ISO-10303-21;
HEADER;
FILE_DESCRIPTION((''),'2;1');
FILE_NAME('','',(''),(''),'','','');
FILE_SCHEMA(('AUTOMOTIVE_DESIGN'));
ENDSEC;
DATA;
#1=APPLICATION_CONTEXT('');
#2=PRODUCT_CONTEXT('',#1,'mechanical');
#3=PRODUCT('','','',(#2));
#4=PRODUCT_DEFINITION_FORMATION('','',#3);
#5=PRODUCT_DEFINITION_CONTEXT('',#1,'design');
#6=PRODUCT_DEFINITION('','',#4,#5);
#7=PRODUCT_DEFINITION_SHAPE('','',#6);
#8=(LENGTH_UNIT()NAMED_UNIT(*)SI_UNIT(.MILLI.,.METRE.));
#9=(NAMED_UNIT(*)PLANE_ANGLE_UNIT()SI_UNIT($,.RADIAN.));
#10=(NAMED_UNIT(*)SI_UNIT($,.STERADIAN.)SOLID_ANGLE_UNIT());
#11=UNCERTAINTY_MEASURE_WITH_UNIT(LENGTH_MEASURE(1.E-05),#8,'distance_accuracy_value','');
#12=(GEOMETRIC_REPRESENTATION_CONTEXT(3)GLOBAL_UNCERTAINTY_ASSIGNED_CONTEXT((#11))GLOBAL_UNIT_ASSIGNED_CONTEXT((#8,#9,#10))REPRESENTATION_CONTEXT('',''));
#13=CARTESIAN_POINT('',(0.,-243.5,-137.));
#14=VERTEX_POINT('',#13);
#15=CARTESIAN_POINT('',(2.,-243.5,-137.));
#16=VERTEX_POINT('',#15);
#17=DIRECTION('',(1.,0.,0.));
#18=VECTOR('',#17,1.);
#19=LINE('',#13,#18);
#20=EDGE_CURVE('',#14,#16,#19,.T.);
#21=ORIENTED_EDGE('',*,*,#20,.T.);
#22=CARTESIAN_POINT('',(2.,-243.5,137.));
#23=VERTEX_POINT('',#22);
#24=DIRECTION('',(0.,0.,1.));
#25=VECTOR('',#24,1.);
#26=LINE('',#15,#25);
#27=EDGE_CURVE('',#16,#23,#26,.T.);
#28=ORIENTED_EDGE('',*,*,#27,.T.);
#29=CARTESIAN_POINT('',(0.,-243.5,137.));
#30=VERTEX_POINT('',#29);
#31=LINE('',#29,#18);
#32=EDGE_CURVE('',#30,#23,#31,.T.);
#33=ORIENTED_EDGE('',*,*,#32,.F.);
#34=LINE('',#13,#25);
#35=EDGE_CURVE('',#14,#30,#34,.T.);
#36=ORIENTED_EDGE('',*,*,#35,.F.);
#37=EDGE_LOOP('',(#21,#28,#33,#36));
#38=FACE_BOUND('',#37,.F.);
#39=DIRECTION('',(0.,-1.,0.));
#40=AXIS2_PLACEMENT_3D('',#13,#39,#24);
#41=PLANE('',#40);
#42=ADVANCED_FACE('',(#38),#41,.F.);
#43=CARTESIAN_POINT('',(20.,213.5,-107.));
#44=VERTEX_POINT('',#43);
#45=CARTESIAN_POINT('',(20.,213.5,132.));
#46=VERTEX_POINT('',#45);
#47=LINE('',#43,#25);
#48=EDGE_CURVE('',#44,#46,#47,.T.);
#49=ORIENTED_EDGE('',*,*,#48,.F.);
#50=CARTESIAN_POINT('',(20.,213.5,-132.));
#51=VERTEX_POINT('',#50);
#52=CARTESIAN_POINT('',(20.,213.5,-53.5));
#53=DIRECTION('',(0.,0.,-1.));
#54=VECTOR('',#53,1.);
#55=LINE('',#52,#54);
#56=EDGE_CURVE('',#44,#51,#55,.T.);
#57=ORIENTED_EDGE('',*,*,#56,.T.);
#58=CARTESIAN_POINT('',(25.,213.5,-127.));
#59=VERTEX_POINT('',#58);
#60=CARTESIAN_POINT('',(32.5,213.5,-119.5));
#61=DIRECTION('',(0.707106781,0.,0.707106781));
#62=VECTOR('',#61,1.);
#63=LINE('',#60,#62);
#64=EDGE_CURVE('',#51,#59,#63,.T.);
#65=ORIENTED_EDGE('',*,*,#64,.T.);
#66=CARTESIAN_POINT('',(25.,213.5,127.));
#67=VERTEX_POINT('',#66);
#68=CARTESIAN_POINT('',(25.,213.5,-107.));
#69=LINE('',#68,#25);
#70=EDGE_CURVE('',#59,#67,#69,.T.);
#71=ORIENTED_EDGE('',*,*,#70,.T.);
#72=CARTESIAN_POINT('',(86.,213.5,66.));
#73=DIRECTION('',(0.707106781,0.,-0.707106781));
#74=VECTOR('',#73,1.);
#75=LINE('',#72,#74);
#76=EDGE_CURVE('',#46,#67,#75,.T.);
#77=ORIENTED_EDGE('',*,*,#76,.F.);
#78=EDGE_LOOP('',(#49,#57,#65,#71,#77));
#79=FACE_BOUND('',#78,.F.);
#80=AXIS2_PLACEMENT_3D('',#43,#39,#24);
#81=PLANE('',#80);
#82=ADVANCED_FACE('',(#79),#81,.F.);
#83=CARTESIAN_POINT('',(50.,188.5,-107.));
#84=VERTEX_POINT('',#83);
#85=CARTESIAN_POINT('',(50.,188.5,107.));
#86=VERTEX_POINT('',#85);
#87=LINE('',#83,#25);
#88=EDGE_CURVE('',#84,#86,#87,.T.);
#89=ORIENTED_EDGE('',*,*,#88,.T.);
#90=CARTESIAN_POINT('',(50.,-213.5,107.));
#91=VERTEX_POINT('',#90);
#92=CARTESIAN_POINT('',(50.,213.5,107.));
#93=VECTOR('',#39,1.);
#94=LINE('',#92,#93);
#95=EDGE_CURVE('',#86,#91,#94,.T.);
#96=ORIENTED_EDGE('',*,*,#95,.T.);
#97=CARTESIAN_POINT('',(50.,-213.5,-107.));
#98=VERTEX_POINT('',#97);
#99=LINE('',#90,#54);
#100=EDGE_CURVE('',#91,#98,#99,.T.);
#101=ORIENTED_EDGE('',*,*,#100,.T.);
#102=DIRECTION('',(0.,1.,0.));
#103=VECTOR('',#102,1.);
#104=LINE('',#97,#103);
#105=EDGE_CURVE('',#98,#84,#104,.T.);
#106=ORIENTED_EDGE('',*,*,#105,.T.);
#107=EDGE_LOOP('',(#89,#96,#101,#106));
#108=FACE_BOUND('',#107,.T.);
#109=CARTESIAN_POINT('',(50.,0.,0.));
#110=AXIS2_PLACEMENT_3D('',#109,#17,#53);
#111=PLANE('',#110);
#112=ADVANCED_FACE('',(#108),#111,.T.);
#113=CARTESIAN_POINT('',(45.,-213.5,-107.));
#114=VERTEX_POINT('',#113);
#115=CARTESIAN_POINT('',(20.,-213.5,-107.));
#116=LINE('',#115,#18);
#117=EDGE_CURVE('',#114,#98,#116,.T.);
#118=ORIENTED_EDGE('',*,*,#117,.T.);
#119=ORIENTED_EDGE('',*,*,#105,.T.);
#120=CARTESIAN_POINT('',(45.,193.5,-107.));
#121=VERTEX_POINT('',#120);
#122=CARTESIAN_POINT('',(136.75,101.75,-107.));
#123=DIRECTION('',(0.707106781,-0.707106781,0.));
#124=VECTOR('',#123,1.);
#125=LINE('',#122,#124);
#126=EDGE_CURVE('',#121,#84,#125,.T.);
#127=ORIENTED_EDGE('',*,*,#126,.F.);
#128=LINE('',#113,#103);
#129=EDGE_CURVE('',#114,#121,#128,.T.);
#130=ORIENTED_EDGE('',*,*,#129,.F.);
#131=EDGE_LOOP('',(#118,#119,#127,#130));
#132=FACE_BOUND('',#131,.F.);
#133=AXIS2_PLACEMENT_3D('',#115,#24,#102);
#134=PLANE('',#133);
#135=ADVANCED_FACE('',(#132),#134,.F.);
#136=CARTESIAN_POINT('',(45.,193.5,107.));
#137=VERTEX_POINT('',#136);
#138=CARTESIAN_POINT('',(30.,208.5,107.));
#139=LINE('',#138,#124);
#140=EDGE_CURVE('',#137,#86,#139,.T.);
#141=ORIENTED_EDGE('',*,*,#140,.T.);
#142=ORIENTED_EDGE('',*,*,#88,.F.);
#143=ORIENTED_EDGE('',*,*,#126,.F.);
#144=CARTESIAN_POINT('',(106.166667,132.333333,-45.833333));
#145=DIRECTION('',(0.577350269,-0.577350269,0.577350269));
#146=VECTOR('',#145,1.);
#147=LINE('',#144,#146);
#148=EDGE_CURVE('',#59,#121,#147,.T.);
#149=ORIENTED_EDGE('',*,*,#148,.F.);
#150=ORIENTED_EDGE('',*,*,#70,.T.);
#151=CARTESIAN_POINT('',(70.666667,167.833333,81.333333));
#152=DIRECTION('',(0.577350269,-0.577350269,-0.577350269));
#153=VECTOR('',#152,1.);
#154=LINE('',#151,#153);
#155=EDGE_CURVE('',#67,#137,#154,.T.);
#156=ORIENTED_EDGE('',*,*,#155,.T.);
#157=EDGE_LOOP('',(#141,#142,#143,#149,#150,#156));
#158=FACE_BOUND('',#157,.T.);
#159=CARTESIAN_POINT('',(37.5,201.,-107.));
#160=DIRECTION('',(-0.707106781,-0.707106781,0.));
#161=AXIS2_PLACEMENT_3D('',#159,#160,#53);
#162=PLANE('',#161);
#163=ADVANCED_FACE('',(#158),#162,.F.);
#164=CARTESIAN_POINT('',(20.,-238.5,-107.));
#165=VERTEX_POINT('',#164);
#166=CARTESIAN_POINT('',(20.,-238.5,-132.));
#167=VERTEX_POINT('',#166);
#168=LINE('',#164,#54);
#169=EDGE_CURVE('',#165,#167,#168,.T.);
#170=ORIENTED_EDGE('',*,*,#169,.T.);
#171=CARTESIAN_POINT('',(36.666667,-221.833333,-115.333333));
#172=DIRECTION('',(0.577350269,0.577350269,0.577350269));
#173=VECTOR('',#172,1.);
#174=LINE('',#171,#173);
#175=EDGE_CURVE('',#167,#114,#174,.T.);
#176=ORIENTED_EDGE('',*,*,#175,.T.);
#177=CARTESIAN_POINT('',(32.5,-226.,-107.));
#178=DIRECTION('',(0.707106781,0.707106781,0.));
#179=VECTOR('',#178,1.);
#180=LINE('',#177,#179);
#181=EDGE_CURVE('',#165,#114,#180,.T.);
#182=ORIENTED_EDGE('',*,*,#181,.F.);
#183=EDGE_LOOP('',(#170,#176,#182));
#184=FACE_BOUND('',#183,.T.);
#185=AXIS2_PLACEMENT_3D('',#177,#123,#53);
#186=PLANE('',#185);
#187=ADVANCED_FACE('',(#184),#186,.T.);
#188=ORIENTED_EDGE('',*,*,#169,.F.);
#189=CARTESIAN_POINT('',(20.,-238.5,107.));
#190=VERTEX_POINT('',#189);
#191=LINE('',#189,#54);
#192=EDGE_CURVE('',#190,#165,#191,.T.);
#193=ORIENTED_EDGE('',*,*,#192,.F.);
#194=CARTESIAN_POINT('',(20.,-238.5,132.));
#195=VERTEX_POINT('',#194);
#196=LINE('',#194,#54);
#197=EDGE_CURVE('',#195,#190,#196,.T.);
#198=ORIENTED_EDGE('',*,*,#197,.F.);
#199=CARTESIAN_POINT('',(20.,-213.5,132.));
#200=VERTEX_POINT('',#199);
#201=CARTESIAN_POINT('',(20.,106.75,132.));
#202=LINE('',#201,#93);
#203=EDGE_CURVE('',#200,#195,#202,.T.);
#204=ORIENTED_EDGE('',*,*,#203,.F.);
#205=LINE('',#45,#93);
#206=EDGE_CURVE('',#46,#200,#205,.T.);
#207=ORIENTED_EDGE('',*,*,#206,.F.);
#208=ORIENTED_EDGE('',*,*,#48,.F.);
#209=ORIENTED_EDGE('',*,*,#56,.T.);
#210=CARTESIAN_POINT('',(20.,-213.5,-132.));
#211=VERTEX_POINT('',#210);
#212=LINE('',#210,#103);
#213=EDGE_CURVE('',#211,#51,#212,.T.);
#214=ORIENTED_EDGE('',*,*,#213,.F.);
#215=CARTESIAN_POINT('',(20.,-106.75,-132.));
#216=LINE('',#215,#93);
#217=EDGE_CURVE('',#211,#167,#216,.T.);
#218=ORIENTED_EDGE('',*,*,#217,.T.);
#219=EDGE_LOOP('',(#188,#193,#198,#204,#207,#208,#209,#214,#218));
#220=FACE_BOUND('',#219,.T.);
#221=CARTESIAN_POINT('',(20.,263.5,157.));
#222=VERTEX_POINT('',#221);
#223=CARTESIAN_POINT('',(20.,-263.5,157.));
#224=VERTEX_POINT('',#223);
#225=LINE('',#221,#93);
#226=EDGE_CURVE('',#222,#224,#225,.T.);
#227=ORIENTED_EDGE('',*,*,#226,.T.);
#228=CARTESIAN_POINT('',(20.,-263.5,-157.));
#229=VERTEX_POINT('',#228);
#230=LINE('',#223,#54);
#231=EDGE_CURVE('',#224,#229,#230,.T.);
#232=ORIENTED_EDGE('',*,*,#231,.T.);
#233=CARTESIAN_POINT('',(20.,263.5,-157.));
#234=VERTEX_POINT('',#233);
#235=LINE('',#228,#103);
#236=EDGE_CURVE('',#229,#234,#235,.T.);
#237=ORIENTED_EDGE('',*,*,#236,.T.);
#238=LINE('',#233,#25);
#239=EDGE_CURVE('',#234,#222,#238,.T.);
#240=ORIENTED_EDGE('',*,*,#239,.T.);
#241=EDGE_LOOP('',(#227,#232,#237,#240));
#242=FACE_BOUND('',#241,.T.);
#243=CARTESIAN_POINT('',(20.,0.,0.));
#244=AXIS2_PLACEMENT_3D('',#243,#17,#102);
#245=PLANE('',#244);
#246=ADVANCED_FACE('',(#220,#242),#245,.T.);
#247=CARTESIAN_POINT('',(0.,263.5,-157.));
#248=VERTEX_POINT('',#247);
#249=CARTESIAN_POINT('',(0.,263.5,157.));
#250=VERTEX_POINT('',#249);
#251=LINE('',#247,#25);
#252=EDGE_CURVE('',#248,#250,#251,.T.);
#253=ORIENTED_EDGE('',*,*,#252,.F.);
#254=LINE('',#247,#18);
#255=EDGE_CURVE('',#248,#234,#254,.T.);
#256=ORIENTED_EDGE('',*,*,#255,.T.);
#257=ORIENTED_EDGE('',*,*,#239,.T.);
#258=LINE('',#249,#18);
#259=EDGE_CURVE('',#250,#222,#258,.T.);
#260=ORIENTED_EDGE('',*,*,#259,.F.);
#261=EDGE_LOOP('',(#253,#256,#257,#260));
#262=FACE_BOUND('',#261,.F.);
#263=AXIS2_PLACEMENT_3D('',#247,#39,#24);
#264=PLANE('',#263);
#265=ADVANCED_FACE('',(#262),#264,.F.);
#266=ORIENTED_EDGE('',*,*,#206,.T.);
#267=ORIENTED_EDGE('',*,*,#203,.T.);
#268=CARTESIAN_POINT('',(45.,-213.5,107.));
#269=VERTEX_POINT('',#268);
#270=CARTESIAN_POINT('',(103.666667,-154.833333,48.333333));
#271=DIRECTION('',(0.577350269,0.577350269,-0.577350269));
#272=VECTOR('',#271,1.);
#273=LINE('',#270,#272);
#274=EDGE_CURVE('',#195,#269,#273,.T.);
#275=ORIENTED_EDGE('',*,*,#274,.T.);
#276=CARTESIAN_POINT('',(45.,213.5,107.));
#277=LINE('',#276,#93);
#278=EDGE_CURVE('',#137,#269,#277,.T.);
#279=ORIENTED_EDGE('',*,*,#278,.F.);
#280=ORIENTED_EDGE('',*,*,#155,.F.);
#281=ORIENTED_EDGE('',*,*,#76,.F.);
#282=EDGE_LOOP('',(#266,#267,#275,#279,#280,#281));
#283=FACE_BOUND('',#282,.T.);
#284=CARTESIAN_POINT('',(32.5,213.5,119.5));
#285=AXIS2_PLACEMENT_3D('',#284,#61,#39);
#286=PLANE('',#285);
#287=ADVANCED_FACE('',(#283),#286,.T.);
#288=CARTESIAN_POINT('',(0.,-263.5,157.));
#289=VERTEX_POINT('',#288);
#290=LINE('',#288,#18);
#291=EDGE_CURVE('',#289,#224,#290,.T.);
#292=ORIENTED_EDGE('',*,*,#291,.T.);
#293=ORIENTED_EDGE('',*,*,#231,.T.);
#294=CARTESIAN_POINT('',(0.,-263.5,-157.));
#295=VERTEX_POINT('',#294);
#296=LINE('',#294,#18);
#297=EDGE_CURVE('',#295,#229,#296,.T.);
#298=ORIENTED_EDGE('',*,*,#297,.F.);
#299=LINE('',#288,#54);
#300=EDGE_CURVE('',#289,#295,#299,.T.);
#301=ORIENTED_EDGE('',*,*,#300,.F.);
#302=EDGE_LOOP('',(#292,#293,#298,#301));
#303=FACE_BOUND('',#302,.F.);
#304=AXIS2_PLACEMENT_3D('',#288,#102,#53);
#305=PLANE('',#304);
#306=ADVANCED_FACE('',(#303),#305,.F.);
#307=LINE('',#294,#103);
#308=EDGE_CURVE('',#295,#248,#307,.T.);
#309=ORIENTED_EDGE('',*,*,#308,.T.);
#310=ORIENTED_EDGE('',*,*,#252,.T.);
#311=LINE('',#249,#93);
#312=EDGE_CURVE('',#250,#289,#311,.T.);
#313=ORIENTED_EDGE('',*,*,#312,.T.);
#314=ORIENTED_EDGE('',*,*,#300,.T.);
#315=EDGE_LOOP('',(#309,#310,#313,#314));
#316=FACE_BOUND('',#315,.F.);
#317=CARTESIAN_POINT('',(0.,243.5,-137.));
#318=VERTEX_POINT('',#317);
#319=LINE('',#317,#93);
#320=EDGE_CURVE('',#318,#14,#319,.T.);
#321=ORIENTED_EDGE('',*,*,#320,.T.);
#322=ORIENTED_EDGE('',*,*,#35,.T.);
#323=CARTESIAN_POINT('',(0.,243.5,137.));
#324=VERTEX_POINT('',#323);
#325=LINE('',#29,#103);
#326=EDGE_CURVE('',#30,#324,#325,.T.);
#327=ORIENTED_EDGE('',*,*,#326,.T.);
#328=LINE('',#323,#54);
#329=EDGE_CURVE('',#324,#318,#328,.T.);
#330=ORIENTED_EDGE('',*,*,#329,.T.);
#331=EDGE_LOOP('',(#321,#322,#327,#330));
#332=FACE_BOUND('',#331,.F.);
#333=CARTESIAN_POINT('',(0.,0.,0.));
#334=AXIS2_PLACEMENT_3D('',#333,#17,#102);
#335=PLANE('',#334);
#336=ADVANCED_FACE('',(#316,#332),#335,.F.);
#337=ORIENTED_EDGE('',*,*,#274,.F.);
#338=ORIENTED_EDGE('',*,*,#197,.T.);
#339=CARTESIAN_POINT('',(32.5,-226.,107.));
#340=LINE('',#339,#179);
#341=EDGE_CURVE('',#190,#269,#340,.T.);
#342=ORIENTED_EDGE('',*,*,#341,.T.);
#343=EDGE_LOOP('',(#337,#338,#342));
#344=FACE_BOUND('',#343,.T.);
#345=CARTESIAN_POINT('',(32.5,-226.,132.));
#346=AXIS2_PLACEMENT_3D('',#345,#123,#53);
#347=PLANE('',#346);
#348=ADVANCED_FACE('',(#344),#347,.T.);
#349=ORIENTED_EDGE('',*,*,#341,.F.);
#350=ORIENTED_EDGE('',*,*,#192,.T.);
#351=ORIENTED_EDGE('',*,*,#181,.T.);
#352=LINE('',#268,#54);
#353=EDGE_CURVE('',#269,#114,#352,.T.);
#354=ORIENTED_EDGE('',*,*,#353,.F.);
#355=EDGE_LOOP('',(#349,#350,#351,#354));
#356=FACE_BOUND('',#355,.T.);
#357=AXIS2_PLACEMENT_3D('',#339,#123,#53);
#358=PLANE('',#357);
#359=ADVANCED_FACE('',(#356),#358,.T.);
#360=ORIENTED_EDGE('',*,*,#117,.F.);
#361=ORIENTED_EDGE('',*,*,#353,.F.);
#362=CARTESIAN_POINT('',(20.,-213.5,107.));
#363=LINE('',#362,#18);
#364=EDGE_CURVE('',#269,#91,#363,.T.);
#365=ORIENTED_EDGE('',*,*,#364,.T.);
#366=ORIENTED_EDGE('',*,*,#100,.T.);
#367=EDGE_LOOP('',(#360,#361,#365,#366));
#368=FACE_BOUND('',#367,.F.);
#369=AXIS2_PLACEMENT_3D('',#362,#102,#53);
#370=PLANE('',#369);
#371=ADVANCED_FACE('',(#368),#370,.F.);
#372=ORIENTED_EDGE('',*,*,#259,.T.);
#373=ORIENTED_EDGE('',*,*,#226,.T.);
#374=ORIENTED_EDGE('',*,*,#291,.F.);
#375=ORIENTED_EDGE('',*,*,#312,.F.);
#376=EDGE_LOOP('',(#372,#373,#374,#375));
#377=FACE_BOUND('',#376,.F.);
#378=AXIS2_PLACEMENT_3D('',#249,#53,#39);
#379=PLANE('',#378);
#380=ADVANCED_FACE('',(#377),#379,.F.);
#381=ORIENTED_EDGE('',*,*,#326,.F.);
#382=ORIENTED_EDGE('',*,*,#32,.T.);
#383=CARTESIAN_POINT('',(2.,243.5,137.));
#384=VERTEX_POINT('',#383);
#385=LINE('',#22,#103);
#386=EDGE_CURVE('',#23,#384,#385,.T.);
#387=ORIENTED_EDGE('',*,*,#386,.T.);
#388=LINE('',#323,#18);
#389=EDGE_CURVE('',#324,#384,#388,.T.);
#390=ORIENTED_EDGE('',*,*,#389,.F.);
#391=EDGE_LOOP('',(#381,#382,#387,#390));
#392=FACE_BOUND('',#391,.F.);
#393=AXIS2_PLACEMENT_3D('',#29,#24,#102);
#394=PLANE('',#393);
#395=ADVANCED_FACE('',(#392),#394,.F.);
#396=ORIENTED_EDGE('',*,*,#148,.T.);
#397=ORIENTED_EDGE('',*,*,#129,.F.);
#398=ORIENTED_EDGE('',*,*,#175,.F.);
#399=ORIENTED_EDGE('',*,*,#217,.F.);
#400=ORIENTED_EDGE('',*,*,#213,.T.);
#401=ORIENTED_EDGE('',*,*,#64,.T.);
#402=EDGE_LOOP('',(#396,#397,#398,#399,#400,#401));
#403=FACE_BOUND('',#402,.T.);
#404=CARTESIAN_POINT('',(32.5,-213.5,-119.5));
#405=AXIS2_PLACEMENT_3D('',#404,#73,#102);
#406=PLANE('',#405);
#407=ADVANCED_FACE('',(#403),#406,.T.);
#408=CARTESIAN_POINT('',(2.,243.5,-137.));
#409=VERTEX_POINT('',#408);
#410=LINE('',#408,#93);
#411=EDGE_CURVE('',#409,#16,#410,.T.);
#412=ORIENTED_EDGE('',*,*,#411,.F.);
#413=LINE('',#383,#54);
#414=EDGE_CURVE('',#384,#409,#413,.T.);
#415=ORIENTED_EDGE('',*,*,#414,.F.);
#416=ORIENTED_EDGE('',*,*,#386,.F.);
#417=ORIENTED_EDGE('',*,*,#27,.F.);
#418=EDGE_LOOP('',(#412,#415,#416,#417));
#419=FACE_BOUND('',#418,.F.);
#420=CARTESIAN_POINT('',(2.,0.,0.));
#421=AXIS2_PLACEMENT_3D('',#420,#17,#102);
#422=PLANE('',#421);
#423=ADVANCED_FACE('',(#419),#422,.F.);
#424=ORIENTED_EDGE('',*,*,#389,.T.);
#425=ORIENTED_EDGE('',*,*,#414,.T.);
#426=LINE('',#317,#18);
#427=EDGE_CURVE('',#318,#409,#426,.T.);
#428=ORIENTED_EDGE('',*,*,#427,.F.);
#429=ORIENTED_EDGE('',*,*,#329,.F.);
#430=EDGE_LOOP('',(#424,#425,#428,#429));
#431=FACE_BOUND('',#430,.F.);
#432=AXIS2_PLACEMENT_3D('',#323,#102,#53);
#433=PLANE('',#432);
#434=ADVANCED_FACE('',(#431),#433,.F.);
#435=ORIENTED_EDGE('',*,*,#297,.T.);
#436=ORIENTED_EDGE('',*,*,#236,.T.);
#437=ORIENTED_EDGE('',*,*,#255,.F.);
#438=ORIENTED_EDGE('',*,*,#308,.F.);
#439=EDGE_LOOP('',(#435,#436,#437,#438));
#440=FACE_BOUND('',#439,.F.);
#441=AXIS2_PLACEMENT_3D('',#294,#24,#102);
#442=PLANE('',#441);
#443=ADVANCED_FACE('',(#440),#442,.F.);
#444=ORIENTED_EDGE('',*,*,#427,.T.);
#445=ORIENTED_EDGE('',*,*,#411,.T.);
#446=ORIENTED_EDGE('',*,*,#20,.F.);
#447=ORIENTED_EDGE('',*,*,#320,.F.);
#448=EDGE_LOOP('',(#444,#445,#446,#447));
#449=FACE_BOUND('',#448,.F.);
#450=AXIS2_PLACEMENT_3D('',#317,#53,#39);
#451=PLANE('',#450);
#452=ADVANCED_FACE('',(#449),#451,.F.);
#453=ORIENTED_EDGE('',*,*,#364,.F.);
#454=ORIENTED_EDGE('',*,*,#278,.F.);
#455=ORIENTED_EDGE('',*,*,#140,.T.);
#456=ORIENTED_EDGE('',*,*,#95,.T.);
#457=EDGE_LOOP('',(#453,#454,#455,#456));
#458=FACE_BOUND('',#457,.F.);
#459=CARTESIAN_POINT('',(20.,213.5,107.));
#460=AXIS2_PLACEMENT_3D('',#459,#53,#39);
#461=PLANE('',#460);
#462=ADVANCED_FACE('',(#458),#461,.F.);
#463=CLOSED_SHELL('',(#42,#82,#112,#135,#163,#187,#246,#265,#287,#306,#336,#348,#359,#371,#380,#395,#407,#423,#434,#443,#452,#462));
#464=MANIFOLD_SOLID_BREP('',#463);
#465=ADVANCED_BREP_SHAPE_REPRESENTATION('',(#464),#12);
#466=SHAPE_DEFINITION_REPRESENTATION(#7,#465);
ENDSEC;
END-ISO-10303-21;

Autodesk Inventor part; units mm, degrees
ref_plane "YZ Plane" through (0, 0, 0) normal (1, 0, 0) x (0, 1, 0)
ref_plane "XZ Plane" through (0, 0, 0) normal (0, 1, 0) x (-1, 0, 0)
ref_plane "XY Plane" through (0, 0, 0) normal (0, 0, 1) x (1, 0, 0)
sketch "Sketch1" plane through (0, 0, 0) normal (1, 0, 0) x (0, 1, 0)
  line L0 (-243.5, 137) -> (243.5, 137)
  line L1 (243.5, 137) -> (243.5, -137)
  line L2 (243.5, -137) -> (-243.5, -137)
  line L3 (-243.5, -137) -> (-243.5, 137)
  line L4 (-243.5, 137) -> (243.5, -137) construction
  line L5 (243.5, 137) -> (-243.5, -137) construction
  line L6 (263.5, -157) -> (263.5, 157)
  line L7 (263.5, 157) -> (-263.5, 157)
  line L8 (-263.5, 157) -> (-263.5, -157)
  line L9 (-263.5, -157) -> (263.5, -157)
  point P0 (0, 0)
  dimension "d0" = 487
  dimension "d1" = 274
  dimension "d2" = 20
extrude "Extrusion1" add sketch "Sketch1" along normal blind 20 contours L0 L1 L2 L3 | L9 L8 L7 L6
extrude "Extrusion2" cut sketch "Sketch1" along normal blind 2 contours L0 L1 L2 L3
sketch "Sketch2" plane through (20, 0, 0) normal (1, 0, 0) x (0, 0, -1)
  line L0 (-157, 263.5) -> (-157, -263.5) projected
  line L1 (-157, -263.5) -> (157, -263.5) projected
  line L2 (157, -263.5) -> (157, 263.5) projected
  line L3 (157, 263.5) -> (-157, 263.5) projected
  line L4 (-107, 213.5) -> (-107, -213.5)
  line L5 (-107, -213.5) -> (107, -213.5)
  line L6 (107, -213.5) -> (107, 213.5)
  line L7 (107, 213.5) -> (-107, 213.5)
  point P0 (0, 0)
  dimension "d7" = 50
extrude "Extrusion3" add sketch "Sketch2" along normal blind 30 contours L7 L6 L5 L4
chamfer "Chamfer1" distance 25 angle 45 4 edges at (20, 0, -107) (50, 213.5, 0) (20, 0, 107) (20, -213.5, 0)
properties part number "DIMENSIONES_PANTALLA" material "Steel, Mild, Welded"
